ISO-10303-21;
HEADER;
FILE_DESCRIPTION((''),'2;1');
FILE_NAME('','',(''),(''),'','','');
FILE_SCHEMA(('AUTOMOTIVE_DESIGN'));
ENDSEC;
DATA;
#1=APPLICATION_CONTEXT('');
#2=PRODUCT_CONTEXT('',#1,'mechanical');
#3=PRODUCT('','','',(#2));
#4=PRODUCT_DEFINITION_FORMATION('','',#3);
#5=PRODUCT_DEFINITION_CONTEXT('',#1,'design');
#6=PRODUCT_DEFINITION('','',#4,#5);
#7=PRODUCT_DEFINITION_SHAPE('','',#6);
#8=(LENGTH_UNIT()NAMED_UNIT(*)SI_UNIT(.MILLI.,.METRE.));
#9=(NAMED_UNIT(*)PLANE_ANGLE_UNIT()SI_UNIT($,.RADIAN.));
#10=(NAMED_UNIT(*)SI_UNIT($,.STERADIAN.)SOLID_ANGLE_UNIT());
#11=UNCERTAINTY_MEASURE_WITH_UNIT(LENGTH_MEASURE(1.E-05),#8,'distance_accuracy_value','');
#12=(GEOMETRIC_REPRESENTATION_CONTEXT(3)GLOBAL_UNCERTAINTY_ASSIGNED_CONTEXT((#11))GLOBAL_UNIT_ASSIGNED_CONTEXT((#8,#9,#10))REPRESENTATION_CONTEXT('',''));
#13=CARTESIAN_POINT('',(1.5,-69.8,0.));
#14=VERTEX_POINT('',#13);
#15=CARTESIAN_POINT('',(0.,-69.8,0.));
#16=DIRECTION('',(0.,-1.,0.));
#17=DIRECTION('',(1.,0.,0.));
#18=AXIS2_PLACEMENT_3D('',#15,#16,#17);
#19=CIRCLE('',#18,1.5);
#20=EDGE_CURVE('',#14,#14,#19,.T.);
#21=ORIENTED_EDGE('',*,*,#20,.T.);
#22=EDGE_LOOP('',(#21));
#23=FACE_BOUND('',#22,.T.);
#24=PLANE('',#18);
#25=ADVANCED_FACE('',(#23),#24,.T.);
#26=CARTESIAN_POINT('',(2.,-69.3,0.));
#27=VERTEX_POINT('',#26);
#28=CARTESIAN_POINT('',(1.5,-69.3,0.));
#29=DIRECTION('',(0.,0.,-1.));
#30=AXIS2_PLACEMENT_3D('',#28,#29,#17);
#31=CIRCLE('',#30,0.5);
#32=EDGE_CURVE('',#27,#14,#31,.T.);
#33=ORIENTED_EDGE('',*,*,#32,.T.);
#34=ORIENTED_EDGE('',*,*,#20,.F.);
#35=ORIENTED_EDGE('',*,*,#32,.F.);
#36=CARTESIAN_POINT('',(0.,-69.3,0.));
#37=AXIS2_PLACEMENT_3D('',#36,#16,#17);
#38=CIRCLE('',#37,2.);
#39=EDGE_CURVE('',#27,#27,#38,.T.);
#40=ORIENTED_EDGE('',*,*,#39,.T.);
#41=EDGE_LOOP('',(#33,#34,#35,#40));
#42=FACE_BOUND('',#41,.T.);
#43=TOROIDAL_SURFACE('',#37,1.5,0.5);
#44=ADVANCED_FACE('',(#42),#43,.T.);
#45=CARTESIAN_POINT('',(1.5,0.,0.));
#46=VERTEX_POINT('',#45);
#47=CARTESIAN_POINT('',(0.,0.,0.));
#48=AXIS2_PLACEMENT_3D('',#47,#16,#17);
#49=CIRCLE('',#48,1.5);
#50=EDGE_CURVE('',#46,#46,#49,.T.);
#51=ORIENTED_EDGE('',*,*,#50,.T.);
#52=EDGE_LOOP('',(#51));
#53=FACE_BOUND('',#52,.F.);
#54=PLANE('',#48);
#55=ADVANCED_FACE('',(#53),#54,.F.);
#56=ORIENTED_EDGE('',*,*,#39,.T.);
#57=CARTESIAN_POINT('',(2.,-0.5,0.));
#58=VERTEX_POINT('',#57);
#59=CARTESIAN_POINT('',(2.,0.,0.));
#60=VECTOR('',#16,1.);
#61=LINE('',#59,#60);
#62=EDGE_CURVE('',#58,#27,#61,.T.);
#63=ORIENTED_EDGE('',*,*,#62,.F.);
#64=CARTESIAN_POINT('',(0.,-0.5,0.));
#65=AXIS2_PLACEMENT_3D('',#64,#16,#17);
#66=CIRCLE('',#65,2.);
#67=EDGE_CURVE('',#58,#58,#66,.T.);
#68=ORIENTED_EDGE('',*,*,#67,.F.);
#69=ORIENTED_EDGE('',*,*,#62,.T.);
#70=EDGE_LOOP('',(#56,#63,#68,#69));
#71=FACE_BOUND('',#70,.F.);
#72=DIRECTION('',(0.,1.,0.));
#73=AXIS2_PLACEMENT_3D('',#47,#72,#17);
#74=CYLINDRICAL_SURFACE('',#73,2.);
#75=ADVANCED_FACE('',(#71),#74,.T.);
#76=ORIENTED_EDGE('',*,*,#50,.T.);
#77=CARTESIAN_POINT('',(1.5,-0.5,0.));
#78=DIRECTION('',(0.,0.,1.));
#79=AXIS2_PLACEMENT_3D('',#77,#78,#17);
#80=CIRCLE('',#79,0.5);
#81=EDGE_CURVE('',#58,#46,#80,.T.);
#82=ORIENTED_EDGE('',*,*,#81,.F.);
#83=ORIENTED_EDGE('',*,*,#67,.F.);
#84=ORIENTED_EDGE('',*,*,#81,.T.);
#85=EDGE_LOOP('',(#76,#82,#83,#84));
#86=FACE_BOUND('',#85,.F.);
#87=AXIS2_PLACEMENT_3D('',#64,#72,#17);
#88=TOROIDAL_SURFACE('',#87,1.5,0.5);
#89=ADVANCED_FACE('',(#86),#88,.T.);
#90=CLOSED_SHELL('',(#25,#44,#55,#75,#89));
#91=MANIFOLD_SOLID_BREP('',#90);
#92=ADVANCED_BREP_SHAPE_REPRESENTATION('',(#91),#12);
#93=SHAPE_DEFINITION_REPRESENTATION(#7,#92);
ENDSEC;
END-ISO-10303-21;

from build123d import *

# Parameters (mm, degrees)
SKETCH_R  = 2
PAD_DEPTH = 69.8
FILLET_R  = 0.5


with BuildPart() as part:
    # Sketch → Pad (new body)
    with BuildSketch(Plane.XZ):
        Circle(SKETCH_R)
    extrude(amount=PAD_DEPTH)

    # Fillet
    fillet_edges = [part.edges().sort_by_distance(p)[0] for p in [
        (-2, -69.8, 0),
        (-2, 0, 0),
    ]]
    fillet(fillet_edges, radius=FILLET_R)


solid = part.part
